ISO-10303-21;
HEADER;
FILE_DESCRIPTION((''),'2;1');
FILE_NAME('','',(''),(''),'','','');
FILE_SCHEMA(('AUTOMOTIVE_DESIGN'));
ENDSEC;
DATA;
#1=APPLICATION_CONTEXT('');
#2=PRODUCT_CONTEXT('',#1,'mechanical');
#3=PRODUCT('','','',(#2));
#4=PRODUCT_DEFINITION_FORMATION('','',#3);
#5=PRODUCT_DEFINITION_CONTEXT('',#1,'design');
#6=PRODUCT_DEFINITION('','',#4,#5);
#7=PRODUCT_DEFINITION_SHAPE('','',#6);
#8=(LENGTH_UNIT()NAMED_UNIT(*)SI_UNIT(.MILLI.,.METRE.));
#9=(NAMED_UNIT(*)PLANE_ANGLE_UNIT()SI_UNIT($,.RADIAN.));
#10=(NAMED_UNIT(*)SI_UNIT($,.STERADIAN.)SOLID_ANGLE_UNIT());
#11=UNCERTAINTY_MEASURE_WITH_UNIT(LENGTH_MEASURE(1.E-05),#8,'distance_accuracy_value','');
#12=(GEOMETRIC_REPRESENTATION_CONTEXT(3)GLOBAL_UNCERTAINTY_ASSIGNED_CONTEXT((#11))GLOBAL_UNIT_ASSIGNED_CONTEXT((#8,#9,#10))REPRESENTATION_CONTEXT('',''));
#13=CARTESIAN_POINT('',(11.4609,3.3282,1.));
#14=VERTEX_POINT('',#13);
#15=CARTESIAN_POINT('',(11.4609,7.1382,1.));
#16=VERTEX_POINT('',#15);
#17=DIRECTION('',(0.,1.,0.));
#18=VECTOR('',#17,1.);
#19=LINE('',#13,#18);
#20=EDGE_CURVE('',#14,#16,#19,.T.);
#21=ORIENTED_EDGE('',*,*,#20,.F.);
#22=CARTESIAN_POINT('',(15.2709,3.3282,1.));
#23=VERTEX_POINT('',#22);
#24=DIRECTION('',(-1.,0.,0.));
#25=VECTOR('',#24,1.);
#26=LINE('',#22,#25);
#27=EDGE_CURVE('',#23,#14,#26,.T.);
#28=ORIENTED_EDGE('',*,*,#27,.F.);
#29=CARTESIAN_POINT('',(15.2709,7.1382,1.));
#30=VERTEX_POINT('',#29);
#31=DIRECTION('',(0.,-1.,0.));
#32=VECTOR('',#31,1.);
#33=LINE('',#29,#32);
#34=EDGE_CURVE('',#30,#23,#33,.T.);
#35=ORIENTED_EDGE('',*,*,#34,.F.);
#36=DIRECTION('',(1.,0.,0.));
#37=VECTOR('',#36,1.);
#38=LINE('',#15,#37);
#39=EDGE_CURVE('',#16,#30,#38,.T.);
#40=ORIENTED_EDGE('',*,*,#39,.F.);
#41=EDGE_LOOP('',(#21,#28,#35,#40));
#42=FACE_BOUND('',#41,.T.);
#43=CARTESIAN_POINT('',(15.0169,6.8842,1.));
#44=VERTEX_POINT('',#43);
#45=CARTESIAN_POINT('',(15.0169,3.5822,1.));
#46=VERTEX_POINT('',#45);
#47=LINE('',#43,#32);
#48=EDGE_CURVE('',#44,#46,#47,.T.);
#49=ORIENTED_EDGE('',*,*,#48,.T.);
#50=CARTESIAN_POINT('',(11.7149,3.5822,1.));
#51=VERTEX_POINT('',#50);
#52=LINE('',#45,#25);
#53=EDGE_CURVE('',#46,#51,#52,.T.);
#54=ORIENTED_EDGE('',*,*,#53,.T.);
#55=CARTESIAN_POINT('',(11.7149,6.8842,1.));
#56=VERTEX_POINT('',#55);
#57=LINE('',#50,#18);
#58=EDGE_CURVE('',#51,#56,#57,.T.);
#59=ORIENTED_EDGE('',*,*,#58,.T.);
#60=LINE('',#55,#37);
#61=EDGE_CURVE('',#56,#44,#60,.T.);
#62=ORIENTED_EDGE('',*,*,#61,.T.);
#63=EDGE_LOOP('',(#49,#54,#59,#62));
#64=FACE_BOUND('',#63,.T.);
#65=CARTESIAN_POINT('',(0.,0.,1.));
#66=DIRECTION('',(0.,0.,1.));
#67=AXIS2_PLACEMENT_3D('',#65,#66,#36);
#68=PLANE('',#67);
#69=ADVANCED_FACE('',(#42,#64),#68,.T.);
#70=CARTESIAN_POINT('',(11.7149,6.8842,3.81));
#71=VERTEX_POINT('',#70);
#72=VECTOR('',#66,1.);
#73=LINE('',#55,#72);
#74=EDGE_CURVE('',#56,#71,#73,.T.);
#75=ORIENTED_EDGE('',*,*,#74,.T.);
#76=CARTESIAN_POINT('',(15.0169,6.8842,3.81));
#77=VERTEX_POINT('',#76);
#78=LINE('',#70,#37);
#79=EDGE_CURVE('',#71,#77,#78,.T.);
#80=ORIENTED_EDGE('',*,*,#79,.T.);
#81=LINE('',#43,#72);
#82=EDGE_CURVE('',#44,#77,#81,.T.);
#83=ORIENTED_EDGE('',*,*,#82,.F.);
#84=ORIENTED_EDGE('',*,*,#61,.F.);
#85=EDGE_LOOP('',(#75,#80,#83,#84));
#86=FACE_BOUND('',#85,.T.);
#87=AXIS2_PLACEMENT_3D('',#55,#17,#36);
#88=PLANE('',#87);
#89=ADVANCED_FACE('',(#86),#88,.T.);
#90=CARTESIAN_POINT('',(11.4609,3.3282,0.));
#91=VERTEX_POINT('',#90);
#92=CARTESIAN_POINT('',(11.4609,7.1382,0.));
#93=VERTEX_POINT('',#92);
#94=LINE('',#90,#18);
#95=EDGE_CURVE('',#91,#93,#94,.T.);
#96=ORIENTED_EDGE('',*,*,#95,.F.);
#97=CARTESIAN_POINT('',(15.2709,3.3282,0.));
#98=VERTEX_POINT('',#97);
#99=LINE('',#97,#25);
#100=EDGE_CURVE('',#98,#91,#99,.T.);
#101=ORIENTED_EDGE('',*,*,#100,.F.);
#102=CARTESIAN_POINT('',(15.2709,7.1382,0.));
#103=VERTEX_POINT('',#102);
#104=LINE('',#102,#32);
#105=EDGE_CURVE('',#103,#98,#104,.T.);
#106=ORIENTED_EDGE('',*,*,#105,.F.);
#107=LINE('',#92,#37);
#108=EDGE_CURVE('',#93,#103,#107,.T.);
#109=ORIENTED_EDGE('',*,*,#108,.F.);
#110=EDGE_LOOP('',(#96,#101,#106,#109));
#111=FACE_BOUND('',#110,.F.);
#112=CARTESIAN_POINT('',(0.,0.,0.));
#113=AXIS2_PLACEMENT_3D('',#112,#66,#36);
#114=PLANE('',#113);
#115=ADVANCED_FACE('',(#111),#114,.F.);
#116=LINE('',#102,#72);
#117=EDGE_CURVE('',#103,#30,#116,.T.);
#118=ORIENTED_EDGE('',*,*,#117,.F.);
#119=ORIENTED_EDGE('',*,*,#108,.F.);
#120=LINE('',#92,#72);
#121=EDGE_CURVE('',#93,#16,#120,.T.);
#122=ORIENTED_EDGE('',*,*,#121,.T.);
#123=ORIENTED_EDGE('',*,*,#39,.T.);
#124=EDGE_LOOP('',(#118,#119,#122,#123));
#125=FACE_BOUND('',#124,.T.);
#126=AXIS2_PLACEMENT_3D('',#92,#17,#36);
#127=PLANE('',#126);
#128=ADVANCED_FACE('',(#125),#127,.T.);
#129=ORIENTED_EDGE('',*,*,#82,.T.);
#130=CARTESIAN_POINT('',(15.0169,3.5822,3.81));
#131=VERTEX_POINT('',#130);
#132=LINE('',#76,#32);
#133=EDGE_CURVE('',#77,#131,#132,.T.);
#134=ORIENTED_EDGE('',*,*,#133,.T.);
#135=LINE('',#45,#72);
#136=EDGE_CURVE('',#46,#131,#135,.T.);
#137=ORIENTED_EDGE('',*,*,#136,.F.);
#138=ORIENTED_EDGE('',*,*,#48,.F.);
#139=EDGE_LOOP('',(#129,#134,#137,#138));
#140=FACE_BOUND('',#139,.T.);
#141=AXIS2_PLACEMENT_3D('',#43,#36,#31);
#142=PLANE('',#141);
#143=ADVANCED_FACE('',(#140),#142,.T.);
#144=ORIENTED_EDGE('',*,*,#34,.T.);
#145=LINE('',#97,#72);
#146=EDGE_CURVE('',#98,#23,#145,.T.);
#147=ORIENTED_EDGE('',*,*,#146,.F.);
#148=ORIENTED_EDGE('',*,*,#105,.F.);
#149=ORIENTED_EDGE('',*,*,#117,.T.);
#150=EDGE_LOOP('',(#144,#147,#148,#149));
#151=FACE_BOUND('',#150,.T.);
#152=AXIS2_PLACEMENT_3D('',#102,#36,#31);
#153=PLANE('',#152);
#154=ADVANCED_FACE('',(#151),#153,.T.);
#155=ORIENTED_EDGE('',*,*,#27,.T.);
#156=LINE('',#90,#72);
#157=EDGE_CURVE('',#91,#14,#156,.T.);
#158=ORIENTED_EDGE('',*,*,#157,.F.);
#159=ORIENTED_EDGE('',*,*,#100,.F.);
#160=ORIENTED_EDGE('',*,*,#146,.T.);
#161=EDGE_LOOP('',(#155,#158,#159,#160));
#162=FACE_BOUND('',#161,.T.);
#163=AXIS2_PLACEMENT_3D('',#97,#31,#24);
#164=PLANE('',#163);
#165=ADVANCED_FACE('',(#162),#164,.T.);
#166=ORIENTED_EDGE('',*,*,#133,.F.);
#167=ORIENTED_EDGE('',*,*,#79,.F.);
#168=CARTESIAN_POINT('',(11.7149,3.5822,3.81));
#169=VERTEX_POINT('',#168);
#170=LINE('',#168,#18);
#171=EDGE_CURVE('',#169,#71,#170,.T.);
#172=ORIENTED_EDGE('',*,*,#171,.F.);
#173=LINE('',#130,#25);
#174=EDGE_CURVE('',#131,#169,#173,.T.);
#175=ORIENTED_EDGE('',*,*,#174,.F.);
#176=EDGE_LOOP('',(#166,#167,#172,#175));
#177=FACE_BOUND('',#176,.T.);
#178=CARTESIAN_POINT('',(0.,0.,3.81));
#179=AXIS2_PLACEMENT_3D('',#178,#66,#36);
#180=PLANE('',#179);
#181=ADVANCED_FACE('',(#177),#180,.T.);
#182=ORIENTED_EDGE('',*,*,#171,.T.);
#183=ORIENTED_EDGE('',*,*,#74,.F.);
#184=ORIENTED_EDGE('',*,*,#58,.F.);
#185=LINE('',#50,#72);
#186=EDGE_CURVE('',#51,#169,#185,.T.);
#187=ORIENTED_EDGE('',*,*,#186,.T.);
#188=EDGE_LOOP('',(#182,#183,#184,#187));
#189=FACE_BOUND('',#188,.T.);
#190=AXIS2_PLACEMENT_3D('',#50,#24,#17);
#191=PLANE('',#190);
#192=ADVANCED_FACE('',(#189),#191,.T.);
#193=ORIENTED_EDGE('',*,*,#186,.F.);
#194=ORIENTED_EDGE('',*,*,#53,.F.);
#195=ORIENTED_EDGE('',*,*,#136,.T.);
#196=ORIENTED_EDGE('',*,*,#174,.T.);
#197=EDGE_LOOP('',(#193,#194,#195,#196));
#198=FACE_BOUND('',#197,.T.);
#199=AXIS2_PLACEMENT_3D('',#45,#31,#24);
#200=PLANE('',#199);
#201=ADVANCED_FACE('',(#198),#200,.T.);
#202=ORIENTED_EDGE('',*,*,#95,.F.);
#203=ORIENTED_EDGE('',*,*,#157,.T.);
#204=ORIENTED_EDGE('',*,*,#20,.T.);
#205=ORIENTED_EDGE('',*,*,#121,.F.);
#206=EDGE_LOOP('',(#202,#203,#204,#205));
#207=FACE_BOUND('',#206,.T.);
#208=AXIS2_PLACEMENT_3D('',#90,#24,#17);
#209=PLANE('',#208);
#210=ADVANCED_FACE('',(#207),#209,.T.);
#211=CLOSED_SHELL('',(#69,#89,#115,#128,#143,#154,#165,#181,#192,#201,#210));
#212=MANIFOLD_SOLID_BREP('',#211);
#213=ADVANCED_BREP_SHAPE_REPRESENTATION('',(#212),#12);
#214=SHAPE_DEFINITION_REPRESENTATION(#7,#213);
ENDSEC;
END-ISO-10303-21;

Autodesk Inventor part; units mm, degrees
ref_plane "YZ Plane" through (0, 0, 0) normal (1, 0, 0) x (0, 1, 0)
ref_plane "XZ Plane" through (0, 0, 0) normal (0, 1, 0) x (-1, 0, 0)
ref_plane "XY Plane" through (0, 0, 0) normal (0, 0, 1) x (1, 0, 0)
sketch "Sketch1" plane through (0, 0, 0) normal (0, 0, 1) x (1, 0, 0)
  line L0 (11.4609, 7.1382) -> (15.2709, 7.1382)
  line L1 (15.2709, 7.1382) -> (15.2709, 3.3282)
  line L2 (15.2709, 3.3282) -> (11.4609, 3.3282)
  line L3 (11.4609, 3.3282) -> (11.4609, 7.1382)
  point P0 (0, 0)
  dimension "d0" = 3.81
  dimension "d1" = 3.81
extrude "Extrusion1" add sketch "Sketch1" along normal blind 1
sketch "Sketch2" plane through (0, 0, 1) normal (0, 0, 1) x (1, 0, 0)
  line L0 (15.2709, 7.1382) -> (11.4609, 7.1382) projected
  line L1 (15.2709, 3.3282) -> (15.2709, 7.1382) projected
  line L2 (11.7149, 6.8842) -> (15.0169, 6.8842)
  line L3 (15.0169, 6.8842) -> (15.0169, 3.5822)
  line L4 (15.0169, 3.5822) -> (11.7149, 3.5822)
  line L5 (11.7149, 3.5822) -> (11.7149, 6.8842)
  line L6 (11.4609, 7.1382) -> (11.4609, 3.3282) projected
  line L7 (11.4609, 3.3282) -> (15.2709, 3.3282) projected
  point P0 (0, 0)
  dimension "d6" = 0.254
  dimension "d7" = 0.254
  dimension "d10" = 0.254
  dimension "d11" = 0.254
extrude "Extrusion2" add sketch "Sketch2" along normal blind 2.81 contours L2 L3 L4 L5
properties part number "RFCoupler"
